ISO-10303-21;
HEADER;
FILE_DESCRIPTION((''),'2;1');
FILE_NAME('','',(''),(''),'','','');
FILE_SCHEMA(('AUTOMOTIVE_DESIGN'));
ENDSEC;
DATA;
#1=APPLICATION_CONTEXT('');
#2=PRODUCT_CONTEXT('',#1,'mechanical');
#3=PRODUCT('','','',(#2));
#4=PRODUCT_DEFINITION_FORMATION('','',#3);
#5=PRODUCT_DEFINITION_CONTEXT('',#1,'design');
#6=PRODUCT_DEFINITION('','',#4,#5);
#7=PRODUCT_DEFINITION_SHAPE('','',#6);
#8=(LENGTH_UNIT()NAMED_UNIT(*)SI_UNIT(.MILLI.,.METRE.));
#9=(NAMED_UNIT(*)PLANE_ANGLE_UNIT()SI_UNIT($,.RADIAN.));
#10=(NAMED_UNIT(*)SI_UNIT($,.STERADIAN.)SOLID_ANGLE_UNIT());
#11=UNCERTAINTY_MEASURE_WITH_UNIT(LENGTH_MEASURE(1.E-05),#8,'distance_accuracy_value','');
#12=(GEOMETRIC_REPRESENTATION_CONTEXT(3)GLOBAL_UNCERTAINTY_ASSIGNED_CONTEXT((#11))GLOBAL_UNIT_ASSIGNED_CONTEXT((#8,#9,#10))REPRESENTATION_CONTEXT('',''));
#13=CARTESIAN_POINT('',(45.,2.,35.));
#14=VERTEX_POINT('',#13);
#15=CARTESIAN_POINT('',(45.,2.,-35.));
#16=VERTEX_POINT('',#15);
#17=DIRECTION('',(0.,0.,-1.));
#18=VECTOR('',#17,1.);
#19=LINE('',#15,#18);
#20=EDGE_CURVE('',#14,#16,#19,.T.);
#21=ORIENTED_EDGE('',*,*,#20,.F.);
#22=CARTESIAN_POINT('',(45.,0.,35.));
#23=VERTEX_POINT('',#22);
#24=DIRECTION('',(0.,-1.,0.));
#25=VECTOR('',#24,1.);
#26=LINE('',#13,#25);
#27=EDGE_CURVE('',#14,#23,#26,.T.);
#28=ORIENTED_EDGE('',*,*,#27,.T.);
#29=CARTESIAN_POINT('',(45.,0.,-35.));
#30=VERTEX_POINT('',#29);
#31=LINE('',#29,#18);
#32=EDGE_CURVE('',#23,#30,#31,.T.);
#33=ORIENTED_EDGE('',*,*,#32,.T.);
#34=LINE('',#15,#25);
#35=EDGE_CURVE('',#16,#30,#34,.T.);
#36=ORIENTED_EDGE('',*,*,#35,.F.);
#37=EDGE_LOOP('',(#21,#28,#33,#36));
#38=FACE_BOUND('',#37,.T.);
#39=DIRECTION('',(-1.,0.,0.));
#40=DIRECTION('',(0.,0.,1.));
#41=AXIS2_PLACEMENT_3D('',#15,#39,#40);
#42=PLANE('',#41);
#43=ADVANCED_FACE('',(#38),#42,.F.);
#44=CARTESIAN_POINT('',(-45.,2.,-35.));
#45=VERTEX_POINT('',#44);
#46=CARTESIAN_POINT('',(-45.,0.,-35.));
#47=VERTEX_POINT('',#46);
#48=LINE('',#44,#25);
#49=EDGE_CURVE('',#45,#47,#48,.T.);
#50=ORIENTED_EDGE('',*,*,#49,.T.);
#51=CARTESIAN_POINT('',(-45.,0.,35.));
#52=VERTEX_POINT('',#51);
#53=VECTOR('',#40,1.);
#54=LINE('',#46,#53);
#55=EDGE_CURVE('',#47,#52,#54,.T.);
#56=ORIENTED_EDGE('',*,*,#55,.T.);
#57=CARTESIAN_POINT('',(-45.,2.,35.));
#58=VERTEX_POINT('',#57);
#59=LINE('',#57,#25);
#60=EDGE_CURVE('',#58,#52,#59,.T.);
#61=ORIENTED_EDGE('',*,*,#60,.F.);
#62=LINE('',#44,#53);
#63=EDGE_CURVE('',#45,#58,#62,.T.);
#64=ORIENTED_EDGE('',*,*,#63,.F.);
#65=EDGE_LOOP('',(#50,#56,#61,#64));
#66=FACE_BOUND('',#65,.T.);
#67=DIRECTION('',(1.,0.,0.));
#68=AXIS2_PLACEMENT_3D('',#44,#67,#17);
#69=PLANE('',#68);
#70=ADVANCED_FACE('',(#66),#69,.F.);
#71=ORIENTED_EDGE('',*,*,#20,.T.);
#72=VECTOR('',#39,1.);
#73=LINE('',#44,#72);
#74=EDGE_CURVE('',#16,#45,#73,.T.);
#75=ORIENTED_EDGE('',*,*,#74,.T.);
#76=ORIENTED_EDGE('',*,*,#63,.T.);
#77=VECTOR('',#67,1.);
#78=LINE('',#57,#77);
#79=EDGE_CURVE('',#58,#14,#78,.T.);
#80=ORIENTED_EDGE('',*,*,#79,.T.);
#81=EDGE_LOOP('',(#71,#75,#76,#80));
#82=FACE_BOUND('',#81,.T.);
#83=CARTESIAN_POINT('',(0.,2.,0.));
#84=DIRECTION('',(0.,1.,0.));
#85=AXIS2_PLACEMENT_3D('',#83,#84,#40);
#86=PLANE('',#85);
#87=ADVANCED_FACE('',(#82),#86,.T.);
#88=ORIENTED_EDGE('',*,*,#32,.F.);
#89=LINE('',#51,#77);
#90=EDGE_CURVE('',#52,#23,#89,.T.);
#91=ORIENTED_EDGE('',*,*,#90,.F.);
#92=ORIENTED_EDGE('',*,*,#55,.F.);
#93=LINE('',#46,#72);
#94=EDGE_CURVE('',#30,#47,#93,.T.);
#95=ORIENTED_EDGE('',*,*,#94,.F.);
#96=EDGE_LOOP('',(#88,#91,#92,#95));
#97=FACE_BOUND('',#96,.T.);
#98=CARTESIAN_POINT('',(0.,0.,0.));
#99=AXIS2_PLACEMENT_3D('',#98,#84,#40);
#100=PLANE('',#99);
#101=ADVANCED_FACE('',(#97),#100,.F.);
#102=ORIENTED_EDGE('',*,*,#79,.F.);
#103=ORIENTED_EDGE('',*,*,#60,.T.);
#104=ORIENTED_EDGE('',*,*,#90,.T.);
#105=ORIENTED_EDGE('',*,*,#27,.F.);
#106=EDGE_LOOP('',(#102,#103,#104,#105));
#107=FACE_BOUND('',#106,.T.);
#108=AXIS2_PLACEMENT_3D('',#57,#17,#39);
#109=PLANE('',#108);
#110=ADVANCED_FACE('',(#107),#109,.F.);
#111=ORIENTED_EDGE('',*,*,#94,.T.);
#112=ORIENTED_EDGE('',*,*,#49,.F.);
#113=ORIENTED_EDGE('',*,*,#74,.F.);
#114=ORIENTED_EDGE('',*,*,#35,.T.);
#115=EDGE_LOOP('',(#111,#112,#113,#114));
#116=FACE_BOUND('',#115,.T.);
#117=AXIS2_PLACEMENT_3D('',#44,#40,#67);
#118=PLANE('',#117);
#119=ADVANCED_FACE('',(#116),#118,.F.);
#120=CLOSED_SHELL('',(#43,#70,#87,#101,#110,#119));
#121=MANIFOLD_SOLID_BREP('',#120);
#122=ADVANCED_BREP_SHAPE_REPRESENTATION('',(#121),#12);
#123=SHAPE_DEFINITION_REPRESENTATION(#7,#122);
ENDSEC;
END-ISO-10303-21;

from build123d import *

# Parameters (mm, degrees)
CROQUIS2_W              = 90
CROQUIS2_H              = 70
SALIENTE_EXTRUIR1_DEPTH = 2


with BuildPart() as part:
    # Croquis2 → Saliente-Extruir1 (new body)
    with BuildSketch(Plane(origin=(0, 0, 0), x_dir=(1, 0, 0), z_dir=(0, 1, 0))):
        Rectangle(CROQUIS2_W, CROQUIS2_H)
    extrude(amount=SALIENTE_EXTRUIR1_DEPTH)


solid = part.part
